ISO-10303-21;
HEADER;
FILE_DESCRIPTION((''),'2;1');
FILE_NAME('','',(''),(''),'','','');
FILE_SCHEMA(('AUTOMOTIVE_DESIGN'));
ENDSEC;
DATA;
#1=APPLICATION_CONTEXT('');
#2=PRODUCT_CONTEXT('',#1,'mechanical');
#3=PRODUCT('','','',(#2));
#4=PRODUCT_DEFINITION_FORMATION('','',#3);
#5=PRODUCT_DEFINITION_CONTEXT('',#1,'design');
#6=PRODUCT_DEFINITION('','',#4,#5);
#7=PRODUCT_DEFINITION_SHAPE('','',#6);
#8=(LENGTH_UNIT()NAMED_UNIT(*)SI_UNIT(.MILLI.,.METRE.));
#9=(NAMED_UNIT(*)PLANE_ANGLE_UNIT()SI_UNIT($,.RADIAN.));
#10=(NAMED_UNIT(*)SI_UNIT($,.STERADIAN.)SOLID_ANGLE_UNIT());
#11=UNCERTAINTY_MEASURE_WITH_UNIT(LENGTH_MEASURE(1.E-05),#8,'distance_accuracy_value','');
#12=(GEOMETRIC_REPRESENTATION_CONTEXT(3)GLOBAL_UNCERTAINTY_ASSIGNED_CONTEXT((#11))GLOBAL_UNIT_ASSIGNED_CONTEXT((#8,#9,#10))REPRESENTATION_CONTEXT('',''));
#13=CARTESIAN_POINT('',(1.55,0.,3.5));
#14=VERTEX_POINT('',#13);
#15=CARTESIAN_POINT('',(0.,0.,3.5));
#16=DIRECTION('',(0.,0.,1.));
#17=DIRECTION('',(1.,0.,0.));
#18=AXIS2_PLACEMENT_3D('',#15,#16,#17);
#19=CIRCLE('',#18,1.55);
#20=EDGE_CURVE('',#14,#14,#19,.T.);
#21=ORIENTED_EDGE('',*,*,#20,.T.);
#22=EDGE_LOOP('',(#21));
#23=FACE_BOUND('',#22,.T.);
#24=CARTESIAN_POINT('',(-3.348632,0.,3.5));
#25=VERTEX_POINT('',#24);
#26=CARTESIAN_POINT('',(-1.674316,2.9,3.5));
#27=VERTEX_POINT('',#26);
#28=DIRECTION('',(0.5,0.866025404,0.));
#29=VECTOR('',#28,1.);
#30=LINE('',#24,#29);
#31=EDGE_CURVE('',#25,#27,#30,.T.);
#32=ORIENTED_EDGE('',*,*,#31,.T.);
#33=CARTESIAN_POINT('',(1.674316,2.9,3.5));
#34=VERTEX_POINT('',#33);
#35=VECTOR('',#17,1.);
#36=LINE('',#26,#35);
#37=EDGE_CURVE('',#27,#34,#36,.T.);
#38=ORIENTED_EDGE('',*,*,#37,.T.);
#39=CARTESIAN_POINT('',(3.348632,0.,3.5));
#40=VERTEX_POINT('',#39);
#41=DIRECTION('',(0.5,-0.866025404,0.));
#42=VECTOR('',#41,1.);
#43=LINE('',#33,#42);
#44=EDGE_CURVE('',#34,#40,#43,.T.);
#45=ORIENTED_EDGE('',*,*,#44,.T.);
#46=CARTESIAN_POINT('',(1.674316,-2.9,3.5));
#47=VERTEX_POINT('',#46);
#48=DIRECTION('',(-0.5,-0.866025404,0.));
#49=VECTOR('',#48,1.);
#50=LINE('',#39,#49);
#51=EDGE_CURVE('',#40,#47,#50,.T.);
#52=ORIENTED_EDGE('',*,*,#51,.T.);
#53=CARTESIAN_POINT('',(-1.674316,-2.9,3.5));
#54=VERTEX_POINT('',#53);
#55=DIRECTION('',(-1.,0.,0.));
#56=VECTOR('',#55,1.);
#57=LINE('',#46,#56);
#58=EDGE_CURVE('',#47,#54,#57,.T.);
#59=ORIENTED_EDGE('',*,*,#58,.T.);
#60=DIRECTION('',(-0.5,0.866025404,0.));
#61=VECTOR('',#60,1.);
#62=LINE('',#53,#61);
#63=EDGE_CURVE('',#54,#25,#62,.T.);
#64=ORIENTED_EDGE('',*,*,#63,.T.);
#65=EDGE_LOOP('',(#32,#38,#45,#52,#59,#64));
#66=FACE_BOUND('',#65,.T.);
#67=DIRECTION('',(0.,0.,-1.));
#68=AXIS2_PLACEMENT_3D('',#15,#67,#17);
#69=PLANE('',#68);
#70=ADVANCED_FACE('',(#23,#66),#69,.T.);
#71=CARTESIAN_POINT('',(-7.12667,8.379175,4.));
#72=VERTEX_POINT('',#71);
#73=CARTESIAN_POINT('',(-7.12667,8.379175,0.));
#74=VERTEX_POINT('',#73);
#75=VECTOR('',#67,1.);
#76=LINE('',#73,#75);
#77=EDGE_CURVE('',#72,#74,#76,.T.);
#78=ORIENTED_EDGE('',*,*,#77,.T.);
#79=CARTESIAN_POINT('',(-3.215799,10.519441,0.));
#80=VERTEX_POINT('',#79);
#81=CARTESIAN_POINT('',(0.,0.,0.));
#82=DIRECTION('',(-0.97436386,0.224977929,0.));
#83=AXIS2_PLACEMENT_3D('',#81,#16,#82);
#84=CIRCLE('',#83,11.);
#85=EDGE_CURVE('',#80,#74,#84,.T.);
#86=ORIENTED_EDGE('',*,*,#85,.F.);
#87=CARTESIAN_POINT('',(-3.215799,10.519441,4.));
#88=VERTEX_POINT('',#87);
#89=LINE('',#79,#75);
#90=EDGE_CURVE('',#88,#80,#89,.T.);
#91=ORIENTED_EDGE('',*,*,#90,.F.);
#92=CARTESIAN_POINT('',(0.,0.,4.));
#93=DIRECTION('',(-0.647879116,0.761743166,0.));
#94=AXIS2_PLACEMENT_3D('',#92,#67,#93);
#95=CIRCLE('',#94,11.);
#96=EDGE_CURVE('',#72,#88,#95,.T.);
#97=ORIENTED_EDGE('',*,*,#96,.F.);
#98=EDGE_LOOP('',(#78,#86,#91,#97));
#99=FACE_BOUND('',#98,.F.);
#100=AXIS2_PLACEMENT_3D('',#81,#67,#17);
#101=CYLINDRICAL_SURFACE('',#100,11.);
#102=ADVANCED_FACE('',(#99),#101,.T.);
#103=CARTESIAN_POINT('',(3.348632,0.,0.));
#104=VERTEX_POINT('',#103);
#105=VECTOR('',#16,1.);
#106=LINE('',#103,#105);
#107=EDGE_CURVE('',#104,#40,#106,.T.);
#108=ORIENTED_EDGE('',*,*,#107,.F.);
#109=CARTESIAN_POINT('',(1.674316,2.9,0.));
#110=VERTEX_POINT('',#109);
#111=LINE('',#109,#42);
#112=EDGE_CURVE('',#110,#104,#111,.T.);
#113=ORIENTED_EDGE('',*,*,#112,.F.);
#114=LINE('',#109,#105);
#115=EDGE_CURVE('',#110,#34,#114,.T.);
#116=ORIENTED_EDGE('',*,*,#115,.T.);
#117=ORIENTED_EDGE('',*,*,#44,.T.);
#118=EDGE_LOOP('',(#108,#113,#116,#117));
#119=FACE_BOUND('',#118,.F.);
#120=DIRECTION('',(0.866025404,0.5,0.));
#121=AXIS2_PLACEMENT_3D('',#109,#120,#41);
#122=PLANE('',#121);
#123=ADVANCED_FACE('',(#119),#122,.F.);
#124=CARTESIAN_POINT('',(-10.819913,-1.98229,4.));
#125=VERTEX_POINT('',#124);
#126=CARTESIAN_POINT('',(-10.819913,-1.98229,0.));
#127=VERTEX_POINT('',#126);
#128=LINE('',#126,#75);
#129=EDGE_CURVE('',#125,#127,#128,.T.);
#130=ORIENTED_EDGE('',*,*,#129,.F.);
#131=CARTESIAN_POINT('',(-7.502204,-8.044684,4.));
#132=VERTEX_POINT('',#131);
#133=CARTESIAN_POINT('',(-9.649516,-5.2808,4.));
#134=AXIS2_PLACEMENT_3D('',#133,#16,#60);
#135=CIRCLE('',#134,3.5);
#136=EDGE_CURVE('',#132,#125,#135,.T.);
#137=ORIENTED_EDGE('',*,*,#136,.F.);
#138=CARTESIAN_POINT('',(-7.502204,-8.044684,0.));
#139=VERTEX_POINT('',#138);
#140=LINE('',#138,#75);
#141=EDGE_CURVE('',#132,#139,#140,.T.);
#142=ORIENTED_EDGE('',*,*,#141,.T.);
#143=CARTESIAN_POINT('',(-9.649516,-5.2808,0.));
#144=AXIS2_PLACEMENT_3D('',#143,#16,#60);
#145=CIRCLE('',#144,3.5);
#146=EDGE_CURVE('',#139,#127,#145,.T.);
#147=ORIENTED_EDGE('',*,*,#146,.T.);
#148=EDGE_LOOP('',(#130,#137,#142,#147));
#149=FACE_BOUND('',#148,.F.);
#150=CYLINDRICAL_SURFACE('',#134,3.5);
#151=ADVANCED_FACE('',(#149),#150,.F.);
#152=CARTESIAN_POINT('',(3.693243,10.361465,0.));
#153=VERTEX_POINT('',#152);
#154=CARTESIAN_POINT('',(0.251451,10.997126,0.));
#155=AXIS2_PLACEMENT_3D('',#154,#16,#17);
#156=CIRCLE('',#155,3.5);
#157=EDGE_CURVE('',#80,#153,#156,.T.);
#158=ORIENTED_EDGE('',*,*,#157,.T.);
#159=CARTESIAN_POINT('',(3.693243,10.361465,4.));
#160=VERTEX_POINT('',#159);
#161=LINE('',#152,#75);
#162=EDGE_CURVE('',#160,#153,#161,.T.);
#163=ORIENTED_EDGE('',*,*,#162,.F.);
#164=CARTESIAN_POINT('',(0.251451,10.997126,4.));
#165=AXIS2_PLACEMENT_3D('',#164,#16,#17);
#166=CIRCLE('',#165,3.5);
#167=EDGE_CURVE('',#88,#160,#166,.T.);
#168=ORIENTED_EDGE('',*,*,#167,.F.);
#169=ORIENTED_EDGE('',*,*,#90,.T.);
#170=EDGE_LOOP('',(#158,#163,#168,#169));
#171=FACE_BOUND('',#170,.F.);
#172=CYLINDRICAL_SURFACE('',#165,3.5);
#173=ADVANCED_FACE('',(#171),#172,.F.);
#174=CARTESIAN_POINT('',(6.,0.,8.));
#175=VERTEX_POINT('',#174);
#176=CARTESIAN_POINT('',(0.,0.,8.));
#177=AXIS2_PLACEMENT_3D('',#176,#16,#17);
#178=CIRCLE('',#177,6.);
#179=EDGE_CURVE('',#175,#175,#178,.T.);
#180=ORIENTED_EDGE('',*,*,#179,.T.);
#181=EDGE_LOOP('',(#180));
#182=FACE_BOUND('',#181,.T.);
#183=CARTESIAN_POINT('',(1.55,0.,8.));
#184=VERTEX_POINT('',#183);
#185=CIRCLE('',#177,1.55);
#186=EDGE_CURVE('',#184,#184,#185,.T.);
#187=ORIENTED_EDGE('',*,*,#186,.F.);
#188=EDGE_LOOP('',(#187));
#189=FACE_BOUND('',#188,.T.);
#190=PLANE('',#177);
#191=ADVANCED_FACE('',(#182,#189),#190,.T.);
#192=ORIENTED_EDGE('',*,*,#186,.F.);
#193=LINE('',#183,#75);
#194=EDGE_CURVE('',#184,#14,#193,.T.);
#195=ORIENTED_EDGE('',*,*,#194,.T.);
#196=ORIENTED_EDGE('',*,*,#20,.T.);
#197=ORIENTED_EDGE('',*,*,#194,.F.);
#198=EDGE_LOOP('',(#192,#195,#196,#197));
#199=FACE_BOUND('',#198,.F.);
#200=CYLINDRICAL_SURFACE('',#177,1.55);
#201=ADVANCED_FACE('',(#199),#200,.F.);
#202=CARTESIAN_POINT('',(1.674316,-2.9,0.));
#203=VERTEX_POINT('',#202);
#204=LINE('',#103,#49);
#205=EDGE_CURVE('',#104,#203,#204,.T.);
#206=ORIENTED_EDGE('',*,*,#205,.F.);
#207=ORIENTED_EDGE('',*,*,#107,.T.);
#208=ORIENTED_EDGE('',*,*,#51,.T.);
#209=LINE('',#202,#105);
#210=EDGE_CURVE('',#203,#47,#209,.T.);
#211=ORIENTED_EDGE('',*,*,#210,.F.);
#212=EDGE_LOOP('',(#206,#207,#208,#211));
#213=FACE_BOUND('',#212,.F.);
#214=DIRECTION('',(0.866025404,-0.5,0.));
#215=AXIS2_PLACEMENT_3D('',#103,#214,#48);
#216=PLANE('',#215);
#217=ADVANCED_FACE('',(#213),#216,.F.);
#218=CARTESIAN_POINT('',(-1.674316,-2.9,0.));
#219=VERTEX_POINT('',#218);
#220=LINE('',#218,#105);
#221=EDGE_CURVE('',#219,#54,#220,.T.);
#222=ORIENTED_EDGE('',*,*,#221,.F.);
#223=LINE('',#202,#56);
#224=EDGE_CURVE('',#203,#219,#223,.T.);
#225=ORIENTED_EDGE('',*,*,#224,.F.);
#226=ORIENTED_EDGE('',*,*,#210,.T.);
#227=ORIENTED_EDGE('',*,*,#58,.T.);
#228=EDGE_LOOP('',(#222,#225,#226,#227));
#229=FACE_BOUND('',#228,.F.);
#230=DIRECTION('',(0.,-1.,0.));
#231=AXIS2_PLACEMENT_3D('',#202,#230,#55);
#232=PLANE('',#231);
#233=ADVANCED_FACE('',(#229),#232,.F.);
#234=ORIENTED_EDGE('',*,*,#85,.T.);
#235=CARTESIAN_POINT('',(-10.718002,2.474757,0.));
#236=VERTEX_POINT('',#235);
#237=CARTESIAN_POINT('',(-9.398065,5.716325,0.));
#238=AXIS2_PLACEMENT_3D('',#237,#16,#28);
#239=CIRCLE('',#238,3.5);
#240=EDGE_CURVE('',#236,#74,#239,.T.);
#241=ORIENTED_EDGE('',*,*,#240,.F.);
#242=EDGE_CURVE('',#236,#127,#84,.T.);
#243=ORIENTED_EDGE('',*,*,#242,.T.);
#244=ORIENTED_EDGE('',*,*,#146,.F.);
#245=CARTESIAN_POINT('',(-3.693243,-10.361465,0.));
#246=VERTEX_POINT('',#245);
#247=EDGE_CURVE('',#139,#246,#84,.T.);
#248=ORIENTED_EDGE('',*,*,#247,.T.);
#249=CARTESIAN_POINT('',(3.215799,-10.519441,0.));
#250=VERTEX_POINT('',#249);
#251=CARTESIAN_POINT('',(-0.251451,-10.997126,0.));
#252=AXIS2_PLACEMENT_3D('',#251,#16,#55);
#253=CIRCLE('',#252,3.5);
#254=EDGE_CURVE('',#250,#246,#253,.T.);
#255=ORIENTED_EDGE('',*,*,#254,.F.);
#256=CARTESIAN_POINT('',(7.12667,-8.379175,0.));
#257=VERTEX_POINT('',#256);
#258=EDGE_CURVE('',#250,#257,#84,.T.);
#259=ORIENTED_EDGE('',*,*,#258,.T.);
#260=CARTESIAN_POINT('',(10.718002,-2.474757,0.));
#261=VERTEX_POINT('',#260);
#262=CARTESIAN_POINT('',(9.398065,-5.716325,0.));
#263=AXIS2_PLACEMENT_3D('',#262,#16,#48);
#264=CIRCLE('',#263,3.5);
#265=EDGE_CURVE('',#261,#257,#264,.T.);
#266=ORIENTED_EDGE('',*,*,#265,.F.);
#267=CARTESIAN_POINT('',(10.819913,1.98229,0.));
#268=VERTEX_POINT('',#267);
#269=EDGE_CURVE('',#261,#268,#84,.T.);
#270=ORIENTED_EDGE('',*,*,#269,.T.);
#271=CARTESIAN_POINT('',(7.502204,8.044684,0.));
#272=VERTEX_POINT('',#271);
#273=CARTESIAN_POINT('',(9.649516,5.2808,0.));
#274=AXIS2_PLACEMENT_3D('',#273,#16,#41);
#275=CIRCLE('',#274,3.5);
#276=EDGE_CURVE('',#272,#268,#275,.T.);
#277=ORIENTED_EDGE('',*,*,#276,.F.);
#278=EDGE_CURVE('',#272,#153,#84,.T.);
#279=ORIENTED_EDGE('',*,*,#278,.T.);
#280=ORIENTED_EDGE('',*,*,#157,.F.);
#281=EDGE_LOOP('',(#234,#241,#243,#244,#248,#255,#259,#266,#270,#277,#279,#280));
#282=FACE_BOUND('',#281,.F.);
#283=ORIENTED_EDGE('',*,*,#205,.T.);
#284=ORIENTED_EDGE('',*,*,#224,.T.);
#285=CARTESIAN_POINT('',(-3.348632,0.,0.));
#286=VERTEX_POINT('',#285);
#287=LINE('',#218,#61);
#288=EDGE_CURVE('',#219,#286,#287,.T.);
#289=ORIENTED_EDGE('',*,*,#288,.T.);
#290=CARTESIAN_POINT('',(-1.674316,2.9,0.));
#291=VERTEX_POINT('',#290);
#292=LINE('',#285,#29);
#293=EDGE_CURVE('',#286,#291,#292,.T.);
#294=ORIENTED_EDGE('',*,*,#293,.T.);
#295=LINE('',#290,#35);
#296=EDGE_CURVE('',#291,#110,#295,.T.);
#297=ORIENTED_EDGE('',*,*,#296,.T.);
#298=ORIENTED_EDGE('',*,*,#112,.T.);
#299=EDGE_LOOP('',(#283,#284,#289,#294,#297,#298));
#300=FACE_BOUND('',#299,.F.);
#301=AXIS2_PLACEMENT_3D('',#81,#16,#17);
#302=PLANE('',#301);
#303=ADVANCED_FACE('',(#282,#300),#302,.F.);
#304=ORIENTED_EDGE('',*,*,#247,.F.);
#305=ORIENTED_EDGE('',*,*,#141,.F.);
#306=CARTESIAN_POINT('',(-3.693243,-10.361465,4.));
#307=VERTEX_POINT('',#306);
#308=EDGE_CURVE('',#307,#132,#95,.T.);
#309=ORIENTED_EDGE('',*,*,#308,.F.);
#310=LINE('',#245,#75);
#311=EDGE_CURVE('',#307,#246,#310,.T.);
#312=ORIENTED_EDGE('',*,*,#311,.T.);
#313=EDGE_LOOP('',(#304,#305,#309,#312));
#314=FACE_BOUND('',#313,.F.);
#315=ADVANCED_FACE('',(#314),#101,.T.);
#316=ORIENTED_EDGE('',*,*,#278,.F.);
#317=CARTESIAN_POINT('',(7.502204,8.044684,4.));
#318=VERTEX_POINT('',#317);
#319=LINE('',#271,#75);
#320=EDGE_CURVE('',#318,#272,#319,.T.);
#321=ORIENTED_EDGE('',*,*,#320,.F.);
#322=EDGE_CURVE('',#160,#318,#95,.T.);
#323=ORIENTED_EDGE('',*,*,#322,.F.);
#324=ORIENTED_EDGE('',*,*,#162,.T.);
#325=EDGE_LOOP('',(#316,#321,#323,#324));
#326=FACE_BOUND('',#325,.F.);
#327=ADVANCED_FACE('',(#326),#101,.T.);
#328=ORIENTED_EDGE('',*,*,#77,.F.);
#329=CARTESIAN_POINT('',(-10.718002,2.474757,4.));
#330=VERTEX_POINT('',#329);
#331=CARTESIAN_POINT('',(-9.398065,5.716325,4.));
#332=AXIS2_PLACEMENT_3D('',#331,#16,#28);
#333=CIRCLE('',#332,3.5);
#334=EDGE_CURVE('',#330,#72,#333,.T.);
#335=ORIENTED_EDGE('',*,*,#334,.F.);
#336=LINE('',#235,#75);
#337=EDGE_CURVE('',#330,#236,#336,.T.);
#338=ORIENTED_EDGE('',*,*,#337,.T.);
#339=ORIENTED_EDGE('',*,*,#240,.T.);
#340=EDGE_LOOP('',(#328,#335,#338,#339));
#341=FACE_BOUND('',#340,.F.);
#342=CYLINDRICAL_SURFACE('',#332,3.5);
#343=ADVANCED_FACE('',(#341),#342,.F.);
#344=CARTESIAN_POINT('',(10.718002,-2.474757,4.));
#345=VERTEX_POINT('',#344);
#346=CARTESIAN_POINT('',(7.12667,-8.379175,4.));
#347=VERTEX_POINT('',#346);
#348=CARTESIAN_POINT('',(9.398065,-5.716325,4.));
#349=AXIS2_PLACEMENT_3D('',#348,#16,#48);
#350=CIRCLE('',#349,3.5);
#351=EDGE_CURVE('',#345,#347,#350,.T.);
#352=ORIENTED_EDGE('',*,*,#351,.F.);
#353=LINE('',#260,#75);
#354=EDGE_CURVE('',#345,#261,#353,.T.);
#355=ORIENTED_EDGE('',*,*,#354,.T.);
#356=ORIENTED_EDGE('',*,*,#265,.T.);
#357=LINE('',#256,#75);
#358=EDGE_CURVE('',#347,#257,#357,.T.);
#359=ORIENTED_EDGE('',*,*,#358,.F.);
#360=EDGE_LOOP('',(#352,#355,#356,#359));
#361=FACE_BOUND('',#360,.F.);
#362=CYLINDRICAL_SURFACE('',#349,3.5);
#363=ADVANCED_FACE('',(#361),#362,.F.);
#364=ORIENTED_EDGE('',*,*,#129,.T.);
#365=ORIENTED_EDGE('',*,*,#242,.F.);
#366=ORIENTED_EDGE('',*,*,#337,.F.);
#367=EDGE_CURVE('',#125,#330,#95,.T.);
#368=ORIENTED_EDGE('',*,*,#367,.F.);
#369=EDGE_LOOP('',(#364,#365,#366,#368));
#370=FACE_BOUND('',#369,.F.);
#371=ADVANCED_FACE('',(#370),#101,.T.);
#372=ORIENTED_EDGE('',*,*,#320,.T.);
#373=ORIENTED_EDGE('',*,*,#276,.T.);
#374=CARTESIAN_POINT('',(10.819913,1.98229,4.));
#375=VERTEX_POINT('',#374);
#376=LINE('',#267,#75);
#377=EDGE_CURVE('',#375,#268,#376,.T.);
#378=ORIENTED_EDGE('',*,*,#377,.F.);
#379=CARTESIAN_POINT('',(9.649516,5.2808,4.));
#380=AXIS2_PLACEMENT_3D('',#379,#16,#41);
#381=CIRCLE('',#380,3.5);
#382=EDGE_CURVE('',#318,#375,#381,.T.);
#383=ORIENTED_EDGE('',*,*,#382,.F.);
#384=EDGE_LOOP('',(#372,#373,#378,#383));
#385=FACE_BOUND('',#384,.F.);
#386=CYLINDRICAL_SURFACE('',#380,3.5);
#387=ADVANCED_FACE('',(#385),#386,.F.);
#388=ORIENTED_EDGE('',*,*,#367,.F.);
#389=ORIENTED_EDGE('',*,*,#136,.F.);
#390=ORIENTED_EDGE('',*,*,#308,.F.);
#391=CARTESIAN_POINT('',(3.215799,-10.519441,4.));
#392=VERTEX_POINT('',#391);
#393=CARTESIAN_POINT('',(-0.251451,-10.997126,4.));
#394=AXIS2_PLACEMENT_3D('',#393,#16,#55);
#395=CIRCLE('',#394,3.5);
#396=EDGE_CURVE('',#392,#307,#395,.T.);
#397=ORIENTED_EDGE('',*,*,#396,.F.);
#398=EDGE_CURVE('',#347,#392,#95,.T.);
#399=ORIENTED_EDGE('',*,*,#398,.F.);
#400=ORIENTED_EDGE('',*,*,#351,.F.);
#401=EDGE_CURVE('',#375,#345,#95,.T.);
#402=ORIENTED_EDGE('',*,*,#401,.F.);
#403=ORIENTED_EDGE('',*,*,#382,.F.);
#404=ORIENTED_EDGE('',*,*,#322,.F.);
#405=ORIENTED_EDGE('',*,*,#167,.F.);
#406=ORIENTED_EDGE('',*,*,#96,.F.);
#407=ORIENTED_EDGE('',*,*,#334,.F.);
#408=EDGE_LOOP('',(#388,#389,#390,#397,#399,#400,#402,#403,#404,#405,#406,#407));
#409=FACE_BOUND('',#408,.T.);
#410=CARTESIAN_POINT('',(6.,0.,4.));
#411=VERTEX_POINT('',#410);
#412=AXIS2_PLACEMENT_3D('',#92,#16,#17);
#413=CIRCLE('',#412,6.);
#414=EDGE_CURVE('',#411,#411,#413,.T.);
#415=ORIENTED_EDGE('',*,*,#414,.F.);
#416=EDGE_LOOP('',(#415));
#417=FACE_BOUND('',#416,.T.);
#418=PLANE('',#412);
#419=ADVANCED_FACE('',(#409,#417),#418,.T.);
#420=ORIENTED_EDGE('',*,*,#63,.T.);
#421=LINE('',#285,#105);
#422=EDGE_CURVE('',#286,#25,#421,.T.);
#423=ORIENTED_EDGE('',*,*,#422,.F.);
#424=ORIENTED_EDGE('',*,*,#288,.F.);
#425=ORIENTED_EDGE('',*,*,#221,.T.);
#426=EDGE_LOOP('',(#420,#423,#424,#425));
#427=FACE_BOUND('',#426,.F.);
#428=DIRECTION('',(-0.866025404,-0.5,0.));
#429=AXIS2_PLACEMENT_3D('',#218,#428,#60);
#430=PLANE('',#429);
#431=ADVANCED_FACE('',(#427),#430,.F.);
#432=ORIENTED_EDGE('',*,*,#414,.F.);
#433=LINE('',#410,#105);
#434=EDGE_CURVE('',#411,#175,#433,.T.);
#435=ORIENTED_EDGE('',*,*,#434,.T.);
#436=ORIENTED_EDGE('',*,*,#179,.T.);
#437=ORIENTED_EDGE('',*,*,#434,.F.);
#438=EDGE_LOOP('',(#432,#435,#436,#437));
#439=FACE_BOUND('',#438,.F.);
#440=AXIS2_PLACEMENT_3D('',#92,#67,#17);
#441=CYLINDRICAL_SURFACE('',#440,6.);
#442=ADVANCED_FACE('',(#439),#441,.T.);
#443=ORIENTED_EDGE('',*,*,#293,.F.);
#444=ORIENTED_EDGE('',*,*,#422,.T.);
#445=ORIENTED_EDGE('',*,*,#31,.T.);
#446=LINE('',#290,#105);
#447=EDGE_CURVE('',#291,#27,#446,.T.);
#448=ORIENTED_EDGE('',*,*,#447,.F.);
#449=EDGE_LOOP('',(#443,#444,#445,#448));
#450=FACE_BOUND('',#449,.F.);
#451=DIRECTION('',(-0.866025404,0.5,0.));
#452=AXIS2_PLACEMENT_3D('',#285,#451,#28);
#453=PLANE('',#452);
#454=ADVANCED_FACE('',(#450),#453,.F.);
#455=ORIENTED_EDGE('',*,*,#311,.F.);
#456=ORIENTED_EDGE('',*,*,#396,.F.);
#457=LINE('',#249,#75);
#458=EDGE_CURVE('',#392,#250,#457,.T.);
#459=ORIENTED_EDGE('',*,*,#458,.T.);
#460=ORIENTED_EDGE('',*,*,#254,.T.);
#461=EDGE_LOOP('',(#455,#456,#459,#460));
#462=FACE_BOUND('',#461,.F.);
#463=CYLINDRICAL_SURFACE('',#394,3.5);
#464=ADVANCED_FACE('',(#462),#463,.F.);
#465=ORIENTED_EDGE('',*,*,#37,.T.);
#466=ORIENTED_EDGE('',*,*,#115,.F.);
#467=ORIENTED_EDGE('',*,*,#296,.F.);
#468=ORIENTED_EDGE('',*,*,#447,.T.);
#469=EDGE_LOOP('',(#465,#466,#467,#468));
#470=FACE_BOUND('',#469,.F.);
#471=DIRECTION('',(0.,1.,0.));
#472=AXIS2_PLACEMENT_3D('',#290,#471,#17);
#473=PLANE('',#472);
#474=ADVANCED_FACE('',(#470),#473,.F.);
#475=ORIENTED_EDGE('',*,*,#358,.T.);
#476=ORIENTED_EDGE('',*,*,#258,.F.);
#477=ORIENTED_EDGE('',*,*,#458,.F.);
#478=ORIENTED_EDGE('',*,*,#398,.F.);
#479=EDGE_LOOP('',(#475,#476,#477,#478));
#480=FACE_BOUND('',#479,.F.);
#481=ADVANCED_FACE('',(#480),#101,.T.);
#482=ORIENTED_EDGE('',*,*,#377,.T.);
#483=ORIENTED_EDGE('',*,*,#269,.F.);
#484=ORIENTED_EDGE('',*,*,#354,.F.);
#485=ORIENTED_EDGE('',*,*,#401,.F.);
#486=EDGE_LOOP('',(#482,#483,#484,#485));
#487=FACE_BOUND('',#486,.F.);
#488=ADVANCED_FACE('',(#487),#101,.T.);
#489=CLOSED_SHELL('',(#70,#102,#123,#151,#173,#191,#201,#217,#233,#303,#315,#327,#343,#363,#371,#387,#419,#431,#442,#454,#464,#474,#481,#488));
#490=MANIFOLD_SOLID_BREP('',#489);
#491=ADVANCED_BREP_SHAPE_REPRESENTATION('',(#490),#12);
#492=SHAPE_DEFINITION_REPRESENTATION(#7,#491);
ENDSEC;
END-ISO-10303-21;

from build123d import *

# Parameters (mm, degrees)
F0_R      = 11
F1_DEPTH  = 4
F2_R      = 3.5
F3_DEPTH  = 4
F4_COUNT  = 6
F5_R      = 6
F6_DEPTH  = 4
F8_DEPTH  = 3.5
F9_R      = 1.55
F10_DEPTH = 8.001


with BuildPart() as f1:
    # F0 (on Top) → F1 (new body)
    with BuildSketch(Plane.XY):
        Circle(F0_R)
    extrude(amount=F1_DEPTH)

    # F4: F3 ×6 about axis
    f4_axis = Axis((0, 0, 4), (0, 0, 1))


with BuildPart() as f3:
    # F2 (on face) → F3 (new body, through all)
    with BuildSketch(Plane.XY.offset(4)):
        with Locations((0.2514506495, 10.9971256504)):
            Circle(F2_R)
    extrude(amount=-F3_DEPTH)


with BuildPart() as f1_1:
    add(f1.part)
    for i in range(1, F4_COUNT):
        add(f3.part.rotate(f4_axis, i * 360 / F4_COUNT), mode=Mode.SUBTRACT)

    # F4#seed: cut F3
    add(f3.part, mode=Mode.SUBTRACT)

    # F5 (on face) → F6 (join)
    with BuildSketch(Plane.XY.offset(4)):
        Circle(F5_R)
    extrude(amount=F6_DEPTH)

    # F7 (on face) → F8 (cut)
    with BuildSketch(Plane(origin=(0, 0, 0), x_dir=(1, 0, 0), z_dir=(0, 0, -1))):
        Polygon((1.6743157806, 2.9), (-1.6743157806, 2.9), (-3.3486315613, 0), (-1.6743157806, -2.9), (1.6743157806, -2.9), (3.3486315613, 0), align=None)
    extrude(amount=-F8_DEPTH, mode=Mode.SUBTRACT)

    # F9 (on face) → F10 (cut, through all)
    with BuildSketch(Plane.XY.offset(8)):
        Circle(F9_R)
    extrude(amount=-F10_DEPTH, mode=Mode.SUBTRACT)


solid = f1_1.part
